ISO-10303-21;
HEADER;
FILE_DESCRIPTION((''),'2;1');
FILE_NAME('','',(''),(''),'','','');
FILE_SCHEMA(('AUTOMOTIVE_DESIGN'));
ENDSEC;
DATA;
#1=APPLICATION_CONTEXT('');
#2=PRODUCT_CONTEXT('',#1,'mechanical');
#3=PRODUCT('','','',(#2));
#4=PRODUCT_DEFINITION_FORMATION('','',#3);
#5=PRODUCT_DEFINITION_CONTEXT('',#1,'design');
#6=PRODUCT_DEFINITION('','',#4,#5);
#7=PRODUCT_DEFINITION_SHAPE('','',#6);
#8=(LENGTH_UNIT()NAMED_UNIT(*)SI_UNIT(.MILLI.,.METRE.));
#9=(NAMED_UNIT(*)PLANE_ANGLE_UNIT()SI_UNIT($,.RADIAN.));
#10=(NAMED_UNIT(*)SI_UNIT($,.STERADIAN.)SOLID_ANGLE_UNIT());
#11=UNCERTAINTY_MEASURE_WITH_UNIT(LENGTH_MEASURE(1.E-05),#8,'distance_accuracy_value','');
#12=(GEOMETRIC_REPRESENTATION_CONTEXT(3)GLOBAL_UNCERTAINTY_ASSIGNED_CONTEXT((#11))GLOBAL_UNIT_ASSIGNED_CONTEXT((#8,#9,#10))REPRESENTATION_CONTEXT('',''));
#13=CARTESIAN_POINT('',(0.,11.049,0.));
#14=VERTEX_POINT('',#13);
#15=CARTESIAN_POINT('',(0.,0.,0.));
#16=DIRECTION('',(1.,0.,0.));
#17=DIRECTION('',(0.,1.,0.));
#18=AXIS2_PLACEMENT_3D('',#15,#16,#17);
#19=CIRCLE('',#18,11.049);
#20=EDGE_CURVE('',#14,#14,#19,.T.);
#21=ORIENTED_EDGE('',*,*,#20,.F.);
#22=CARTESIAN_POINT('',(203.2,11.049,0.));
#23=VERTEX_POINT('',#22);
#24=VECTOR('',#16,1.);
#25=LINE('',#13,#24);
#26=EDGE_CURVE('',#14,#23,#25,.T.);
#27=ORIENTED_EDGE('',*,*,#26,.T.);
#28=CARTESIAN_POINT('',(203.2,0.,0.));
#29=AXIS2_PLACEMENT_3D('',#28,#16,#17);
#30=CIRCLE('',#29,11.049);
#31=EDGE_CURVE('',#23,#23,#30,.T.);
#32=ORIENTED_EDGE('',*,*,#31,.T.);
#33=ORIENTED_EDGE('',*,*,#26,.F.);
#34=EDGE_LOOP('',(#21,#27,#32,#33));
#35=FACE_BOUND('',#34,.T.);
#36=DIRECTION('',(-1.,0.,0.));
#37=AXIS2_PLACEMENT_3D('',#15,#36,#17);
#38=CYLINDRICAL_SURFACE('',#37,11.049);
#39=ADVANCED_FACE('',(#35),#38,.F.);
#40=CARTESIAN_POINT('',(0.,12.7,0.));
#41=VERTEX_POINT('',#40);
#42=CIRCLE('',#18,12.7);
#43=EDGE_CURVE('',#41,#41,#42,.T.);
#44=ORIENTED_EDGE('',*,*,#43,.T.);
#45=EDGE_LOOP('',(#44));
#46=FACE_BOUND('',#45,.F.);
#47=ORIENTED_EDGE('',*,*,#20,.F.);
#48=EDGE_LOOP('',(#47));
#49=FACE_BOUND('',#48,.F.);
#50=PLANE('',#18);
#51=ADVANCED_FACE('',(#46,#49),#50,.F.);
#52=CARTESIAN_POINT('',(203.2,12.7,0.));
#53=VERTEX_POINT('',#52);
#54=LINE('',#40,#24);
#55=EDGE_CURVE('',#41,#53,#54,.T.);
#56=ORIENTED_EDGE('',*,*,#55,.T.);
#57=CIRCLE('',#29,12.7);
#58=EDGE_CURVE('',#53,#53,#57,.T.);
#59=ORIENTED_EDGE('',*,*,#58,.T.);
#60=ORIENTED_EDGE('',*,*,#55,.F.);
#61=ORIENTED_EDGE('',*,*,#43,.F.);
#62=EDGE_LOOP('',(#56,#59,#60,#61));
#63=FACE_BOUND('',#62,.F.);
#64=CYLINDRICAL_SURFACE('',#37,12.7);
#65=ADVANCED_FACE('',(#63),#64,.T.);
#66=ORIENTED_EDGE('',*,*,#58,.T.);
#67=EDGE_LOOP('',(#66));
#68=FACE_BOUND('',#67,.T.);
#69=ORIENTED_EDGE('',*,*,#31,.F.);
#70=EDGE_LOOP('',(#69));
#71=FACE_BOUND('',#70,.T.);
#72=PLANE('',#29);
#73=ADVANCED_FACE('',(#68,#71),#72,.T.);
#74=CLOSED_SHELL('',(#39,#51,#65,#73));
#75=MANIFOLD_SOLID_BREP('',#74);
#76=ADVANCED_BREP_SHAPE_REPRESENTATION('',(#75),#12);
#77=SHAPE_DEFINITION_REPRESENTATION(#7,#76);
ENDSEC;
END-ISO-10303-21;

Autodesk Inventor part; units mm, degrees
ref_plane "XZ Plane" through (0, 0, 0) normal (0, 1, 0) x (-1, 0, 0)
ref_plane "Start Plane" through (0, 0, 0) normal (1, 0, 0) x (0, 1, 0)
ref_plane "End Plane" through (203.2, 0, 0) normal (1, 0, 0) x (0, 1, 0)
sketch "Sketch" plane through (0, 0, 0) normal (1, 0, 0) x (0, 1, 0)
  circle A0 centre (0, 0) radius 12.7
  circle A1 centre (0, 0) radius 11.049
  dimension "d0" = 25.4
  dimension "d1" = 1.651
extrude "Body" add sketch "Sketch" along normal up to surface (203.2 mm away) from surface at 0
sketch "Sketch2" plane through (0, 0, 0) normal (1, 0, 0) x (0, 1, 0)
  line L0 (0, 0) -> (10, 0)
ref_plane "Work Plane3" through (0, 0, 0) normal (0, 0, -1) x (0, 1, 0)
sketch "Sketch3" plane through (0, 0, 0) normal (0, 0, -1) x (0, 1, 0)
  line L0 (-2, 0) -> (12, 0)
  line L1 (-2, 203.2) -> (12, 203.2)
  dimension "d9" = 203.2
equation "\"G_OFFSET_START\" = 0"
equation "\"G_OFFSET_END\" = 0"
equation "\"d5\" = d2 + G_OFFSET_END"
equation "\"G_L\" = d9"
equation "\"d2\" = 203.2"
properties part number "4130_1x0.065" material "Steel, Alloy"
